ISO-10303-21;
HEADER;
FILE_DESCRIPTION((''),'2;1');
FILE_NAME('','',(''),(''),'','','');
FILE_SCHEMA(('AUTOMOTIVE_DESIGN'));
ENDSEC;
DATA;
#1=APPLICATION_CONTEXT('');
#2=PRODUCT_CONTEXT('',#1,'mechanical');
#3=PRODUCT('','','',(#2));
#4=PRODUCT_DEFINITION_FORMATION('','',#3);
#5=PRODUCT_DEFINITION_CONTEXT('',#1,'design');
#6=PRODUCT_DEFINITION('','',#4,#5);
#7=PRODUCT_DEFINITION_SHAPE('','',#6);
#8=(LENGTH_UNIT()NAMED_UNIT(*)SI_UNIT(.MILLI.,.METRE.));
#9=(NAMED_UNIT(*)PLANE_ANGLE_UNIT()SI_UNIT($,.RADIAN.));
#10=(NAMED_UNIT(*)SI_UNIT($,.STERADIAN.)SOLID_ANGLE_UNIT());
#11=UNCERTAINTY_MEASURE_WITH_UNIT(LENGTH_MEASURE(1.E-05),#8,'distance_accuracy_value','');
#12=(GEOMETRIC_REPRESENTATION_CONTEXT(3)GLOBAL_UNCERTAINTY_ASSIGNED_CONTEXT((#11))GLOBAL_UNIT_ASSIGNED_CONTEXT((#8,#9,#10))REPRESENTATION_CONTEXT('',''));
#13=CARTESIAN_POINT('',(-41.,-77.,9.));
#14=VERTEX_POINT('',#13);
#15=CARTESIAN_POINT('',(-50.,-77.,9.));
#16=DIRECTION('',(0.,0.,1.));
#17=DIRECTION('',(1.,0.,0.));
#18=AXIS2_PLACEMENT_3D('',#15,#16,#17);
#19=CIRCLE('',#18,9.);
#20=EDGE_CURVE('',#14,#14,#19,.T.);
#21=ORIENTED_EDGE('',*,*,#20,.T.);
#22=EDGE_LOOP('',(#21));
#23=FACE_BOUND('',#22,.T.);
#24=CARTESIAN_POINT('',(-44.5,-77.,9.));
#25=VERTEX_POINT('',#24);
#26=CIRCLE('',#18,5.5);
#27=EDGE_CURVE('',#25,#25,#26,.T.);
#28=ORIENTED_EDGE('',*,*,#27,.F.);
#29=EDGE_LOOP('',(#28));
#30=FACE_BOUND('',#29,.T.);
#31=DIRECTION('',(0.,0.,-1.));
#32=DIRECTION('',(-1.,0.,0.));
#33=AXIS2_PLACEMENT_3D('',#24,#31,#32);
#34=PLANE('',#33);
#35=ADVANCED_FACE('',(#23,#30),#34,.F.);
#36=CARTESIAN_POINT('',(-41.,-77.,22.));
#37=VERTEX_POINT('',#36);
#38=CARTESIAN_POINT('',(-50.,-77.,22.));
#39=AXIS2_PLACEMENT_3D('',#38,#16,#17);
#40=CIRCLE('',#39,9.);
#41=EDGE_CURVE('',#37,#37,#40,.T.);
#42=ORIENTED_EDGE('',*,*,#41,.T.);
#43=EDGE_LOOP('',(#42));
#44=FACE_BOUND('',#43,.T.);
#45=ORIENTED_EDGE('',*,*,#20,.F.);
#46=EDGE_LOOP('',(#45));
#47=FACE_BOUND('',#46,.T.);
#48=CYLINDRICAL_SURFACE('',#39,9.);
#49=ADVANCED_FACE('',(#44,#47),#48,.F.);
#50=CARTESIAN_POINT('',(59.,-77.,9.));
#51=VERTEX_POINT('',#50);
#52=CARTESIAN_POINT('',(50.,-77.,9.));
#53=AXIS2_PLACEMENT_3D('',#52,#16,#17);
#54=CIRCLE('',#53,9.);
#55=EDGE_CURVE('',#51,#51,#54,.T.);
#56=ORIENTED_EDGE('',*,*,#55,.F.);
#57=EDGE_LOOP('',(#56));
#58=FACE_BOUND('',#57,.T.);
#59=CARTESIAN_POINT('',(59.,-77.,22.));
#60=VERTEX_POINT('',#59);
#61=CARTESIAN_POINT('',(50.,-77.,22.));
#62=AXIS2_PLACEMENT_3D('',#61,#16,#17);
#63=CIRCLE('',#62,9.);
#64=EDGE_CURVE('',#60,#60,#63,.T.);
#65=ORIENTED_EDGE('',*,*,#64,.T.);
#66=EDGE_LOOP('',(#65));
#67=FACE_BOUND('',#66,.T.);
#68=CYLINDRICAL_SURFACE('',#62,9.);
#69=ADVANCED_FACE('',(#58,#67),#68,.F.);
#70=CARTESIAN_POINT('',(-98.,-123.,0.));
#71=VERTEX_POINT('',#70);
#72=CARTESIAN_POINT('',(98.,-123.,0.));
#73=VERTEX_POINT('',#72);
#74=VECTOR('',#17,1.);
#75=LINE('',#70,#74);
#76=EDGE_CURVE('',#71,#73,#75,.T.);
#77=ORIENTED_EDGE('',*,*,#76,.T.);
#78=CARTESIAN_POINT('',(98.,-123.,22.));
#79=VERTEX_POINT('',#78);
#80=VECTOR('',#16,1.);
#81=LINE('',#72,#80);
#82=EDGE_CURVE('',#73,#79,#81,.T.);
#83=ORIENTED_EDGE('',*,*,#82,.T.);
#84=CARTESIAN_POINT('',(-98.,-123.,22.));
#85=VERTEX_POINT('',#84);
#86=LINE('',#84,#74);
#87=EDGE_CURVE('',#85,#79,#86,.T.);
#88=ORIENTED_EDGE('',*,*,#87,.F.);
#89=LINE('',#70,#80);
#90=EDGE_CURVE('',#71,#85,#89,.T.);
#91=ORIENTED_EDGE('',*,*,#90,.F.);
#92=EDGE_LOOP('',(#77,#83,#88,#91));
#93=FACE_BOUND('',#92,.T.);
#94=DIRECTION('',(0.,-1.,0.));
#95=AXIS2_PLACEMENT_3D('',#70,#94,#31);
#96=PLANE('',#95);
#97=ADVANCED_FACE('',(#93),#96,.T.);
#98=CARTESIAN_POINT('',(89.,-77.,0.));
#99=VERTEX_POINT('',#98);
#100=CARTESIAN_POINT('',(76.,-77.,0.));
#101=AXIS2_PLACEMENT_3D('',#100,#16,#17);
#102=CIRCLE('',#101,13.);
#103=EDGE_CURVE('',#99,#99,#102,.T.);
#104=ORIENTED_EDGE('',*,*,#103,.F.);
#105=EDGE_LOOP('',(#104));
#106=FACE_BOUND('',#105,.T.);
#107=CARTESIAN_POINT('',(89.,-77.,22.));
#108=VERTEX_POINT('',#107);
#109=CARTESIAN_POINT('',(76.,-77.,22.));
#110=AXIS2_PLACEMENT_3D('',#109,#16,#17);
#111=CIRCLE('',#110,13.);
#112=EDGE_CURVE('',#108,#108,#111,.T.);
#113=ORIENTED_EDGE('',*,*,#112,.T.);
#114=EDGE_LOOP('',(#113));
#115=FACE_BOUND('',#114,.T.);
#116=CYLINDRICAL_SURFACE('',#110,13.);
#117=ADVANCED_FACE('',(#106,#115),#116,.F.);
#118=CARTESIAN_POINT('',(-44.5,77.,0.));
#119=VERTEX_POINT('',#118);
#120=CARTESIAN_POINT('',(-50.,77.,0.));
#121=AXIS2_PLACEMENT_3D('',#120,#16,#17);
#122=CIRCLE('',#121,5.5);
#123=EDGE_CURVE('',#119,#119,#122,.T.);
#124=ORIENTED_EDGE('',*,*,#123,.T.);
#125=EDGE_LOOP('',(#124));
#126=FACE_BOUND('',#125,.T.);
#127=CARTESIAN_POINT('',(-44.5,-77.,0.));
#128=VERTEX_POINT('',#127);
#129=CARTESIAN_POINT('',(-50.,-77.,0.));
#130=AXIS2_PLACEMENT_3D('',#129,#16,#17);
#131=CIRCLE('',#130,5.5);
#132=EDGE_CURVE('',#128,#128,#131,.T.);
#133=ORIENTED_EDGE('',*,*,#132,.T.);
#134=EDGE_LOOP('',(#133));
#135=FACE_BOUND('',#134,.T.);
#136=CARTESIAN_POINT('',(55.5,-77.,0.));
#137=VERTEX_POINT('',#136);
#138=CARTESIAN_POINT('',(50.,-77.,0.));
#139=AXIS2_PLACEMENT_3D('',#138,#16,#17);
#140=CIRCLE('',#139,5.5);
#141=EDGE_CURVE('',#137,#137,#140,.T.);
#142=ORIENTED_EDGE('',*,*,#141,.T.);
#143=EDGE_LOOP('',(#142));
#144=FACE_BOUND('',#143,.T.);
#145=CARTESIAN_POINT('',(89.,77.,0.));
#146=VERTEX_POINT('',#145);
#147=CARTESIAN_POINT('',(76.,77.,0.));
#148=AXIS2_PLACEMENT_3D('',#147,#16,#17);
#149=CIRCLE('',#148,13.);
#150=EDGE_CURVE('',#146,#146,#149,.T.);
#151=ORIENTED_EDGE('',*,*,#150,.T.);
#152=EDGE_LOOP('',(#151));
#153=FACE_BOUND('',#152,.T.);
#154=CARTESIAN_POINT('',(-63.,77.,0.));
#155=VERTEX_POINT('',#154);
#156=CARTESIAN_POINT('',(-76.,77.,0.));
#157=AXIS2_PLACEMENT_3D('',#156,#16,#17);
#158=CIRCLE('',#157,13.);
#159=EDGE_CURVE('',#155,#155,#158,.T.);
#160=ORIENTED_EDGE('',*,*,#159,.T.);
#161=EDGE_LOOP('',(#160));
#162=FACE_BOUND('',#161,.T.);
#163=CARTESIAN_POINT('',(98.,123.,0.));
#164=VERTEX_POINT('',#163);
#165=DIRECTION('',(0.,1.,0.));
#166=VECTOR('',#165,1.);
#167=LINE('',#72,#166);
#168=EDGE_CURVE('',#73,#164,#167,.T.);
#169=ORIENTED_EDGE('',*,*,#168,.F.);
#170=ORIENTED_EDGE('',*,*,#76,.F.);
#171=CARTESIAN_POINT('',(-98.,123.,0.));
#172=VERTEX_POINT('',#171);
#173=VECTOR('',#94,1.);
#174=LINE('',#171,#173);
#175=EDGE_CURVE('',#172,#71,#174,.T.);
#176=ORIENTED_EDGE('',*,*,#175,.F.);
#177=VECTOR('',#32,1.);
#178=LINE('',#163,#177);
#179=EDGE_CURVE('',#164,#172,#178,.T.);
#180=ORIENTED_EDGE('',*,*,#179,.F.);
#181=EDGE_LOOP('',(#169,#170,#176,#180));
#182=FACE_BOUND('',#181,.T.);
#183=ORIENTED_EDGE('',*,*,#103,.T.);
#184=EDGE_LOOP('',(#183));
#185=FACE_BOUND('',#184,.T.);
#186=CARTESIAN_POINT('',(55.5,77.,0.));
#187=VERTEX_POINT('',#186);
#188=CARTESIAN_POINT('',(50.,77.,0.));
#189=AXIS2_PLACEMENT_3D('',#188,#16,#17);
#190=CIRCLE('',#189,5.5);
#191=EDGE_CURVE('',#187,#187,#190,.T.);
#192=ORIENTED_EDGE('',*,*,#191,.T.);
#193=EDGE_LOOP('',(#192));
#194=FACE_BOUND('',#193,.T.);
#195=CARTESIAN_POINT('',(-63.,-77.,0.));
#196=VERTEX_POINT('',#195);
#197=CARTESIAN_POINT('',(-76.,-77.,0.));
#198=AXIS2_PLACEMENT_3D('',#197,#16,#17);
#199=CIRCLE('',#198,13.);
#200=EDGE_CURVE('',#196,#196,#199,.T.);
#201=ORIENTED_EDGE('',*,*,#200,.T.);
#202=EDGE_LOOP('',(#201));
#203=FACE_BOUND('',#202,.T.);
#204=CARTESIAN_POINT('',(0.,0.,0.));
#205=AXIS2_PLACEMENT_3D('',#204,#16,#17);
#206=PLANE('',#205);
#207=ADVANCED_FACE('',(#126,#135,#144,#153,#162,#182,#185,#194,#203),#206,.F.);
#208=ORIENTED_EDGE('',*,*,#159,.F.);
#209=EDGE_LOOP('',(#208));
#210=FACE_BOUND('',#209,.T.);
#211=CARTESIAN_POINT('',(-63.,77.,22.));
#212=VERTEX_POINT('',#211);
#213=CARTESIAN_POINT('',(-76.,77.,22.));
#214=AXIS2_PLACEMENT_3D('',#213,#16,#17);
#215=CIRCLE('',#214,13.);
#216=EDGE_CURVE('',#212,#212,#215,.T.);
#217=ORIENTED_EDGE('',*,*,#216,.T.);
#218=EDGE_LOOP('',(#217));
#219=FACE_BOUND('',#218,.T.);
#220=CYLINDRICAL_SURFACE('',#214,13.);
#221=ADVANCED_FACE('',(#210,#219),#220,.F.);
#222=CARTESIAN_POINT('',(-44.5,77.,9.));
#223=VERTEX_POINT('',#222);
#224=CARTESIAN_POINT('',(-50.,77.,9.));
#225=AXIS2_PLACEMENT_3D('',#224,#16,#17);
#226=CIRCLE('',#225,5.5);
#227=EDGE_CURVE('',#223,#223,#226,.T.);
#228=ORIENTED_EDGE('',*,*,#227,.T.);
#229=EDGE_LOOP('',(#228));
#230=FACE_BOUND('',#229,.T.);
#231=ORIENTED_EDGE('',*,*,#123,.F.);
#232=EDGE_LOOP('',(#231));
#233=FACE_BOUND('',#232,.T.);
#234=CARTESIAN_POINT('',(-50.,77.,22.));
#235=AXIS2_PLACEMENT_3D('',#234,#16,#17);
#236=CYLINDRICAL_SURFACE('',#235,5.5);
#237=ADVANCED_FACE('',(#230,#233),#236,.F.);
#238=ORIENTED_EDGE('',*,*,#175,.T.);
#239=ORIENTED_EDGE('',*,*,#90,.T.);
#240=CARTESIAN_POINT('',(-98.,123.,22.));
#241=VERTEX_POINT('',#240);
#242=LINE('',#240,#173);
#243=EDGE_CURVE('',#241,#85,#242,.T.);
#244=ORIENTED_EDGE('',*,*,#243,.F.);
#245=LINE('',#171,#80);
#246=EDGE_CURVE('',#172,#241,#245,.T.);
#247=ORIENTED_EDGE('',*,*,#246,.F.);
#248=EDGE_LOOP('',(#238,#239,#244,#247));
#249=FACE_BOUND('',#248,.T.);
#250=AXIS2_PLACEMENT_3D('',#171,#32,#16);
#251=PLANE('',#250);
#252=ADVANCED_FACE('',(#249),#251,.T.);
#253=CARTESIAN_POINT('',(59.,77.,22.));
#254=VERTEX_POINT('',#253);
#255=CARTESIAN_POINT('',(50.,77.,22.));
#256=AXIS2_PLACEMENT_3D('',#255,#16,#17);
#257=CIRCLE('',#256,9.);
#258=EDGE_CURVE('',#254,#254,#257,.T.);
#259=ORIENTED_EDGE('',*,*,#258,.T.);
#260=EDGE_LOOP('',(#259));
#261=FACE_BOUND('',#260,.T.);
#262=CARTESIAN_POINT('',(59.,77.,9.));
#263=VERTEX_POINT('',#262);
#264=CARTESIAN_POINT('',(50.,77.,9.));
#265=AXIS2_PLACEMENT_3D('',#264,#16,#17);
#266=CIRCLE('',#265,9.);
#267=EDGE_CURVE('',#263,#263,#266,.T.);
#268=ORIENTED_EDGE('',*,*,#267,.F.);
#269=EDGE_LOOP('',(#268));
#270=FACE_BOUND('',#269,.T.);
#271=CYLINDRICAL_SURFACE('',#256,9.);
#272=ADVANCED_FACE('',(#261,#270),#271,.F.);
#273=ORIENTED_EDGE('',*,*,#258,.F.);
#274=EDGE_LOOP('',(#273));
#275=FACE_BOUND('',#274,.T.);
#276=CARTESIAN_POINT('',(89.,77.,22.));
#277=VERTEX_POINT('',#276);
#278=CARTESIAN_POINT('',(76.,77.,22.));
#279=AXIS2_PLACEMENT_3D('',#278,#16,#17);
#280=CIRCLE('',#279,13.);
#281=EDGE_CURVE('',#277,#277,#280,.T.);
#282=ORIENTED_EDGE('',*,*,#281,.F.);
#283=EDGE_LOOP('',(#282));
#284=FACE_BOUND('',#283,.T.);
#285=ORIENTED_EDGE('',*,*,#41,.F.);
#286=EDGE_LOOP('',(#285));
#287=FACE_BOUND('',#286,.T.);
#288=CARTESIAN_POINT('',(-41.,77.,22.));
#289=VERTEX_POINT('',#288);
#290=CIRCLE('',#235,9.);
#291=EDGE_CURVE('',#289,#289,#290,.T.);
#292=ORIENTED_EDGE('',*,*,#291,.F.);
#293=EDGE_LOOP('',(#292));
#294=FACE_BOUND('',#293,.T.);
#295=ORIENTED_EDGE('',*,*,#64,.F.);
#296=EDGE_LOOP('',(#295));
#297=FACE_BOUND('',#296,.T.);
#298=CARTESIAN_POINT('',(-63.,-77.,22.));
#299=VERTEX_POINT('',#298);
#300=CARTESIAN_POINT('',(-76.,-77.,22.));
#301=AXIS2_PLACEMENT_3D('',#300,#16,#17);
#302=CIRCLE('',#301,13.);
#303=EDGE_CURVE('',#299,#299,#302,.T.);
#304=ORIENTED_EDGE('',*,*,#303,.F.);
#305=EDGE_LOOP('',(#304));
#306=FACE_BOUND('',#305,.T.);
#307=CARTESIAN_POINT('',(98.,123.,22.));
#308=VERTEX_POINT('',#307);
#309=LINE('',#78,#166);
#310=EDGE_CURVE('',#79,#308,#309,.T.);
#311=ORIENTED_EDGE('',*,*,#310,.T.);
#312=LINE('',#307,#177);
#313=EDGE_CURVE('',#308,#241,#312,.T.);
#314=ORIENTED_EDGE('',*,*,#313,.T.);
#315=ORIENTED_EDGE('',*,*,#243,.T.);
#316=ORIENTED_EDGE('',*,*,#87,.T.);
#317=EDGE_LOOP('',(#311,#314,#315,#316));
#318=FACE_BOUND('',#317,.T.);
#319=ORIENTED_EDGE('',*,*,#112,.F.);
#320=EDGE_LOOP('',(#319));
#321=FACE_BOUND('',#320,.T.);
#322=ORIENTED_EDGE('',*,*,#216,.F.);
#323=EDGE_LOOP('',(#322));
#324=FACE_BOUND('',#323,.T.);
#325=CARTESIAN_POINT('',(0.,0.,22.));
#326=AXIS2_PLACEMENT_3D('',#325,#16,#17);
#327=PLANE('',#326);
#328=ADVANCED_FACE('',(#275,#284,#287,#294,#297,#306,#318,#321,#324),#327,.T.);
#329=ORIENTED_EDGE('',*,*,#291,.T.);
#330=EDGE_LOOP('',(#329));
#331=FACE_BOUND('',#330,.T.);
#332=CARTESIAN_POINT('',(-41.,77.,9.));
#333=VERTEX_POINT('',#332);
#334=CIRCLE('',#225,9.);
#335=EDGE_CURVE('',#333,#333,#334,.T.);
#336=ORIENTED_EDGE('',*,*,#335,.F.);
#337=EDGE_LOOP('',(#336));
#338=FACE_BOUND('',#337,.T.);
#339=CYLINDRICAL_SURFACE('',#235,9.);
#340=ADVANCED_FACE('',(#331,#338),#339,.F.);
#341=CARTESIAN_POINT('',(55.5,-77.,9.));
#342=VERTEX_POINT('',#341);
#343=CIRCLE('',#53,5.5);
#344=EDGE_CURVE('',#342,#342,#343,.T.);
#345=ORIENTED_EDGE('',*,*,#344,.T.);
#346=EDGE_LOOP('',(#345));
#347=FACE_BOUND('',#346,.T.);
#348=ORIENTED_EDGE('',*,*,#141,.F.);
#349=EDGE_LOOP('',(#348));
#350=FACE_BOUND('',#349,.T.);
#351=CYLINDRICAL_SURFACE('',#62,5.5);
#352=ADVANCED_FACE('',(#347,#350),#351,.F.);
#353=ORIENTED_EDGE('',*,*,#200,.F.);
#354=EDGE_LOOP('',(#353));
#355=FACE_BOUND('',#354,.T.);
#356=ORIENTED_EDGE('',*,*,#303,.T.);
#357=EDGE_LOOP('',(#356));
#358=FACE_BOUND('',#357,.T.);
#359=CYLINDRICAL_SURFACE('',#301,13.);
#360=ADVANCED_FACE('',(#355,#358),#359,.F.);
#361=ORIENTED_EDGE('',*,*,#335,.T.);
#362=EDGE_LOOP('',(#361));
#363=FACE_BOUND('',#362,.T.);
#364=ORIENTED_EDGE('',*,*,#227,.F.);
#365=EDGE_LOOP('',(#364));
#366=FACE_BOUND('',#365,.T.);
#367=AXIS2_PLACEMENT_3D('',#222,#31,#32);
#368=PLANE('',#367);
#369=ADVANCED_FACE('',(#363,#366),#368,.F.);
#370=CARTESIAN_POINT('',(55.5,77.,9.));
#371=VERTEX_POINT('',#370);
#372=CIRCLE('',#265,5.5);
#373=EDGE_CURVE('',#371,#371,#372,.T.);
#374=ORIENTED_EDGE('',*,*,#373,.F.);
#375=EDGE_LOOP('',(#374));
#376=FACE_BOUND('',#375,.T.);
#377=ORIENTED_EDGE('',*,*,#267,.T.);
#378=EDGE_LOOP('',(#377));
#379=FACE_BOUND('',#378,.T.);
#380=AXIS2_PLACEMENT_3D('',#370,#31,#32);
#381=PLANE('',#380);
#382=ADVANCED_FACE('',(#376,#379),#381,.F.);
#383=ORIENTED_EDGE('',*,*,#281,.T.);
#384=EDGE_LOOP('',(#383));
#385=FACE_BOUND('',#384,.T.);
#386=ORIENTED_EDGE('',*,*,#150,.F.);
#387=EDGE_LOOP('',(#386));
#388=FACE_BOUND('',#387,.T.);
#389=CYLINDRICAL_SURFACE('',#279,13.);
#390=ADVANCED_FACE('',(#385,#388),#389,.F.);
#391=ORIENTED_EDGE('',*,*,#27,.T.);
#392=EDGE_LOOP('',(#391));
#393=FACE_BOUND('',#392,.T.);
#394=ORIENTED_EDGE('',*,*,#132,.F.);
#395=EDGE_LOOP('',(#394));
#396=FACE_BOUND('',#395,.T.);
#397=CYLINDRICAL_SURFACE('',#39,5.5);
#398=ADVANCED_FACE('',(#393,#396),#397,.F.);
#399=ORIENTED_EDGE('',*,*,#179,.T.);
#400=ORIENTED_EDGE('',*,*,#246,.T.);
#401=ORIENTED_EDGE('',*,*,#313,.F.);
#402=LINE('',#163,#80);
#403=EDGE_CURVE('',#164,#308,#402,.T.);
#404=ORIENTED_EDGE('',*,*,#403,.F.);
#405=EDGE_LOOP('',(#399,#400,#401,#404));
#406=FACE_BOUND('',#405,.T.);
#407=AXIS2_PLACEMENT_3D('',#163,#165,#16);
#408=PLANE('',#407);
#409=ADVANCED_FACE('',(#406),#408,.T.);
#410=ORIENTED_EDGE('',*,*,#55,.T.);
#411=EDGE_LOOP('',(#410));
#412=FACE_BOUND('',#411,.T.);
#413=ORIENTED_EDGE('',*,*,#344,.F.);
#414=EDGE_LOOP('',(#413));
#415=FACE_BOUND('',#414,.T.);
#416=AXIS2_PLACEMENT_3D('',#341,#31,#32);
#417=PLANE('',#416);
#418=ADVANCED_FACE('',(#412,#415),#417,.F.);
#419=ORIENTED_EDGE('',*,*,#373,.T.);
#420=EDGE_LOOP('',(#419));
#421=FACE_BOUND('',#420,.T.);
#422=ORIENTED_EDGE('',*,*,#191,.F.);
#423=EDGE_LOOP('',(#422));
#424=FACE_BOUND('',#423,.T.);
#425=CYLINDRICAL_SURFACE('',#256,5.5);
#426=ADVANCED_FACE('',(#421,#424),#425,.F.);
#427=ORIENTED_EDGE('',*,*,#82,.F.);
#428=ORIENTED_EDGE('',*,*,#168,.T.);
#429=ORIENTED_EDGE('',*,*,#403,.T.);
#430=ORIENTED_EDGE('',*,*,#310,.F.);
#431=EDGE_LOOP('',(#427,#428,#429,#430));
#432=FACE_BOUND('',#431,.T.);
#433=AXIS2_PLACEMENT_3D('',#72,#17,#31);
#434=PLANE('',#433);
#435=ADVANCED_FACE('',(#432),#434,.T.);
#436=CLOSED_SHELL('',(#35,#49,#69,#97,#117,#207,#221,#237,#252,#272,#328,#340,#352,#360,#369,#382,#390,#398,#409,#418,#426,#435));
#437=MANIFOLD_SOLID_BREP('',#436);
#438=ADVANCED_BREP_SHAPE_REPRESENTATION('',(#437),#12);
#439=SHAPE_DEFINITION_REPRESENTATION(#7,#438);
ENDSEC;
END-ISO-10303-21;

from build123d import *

# Parameters (mm, degrees)
SKETCH_1_W                   = 196
SKETCH_1_H                   = 246
EXTRUDE_1_DEPTH              = 22
HOLE_WIZARD_M101_D           = 11
HOLE_WIZARD_M101_CBORE_D     = 18
HOLE_WIZARD_M101_CBORE_DEPTH = 13
HOLE_WIZARD_M221_D           = 26


with BuildPart() as part:
    # Эскиз1 → Бобышка-Вытянуть1 (new body)
    with BuildSketch(Plane.XY.offset(22)):
        Rectangle(SKETCH_1_W, SKETCH_1_H)
    extrude(amount=-EXTRUDE_1_DEPTH)

    # Цековка для  болта с шестигранной головкой M101 (through all)
    with Locations(Plane.XY.offset(22)):
        with Locations((50, 77), (50, -77), (-50, 77), (-50, -77)):
            CounterBoreHole(HOLE_WIZARD_M101_D / 2, HOLE_WIZARD_M101_CBORE_D / 2, HOLE_WIZARD_M101_CBORE_DEPTH)

    # Отверстие с зазором M221 (through all)
    with Locations(Plane.XY.offset(22)):
        with Locations((76, 77), (76, -77), (-76, -77), (-76, 77)):
            Hole(HOLE_WIZARD_M221_D / 2)


solid = part.part
